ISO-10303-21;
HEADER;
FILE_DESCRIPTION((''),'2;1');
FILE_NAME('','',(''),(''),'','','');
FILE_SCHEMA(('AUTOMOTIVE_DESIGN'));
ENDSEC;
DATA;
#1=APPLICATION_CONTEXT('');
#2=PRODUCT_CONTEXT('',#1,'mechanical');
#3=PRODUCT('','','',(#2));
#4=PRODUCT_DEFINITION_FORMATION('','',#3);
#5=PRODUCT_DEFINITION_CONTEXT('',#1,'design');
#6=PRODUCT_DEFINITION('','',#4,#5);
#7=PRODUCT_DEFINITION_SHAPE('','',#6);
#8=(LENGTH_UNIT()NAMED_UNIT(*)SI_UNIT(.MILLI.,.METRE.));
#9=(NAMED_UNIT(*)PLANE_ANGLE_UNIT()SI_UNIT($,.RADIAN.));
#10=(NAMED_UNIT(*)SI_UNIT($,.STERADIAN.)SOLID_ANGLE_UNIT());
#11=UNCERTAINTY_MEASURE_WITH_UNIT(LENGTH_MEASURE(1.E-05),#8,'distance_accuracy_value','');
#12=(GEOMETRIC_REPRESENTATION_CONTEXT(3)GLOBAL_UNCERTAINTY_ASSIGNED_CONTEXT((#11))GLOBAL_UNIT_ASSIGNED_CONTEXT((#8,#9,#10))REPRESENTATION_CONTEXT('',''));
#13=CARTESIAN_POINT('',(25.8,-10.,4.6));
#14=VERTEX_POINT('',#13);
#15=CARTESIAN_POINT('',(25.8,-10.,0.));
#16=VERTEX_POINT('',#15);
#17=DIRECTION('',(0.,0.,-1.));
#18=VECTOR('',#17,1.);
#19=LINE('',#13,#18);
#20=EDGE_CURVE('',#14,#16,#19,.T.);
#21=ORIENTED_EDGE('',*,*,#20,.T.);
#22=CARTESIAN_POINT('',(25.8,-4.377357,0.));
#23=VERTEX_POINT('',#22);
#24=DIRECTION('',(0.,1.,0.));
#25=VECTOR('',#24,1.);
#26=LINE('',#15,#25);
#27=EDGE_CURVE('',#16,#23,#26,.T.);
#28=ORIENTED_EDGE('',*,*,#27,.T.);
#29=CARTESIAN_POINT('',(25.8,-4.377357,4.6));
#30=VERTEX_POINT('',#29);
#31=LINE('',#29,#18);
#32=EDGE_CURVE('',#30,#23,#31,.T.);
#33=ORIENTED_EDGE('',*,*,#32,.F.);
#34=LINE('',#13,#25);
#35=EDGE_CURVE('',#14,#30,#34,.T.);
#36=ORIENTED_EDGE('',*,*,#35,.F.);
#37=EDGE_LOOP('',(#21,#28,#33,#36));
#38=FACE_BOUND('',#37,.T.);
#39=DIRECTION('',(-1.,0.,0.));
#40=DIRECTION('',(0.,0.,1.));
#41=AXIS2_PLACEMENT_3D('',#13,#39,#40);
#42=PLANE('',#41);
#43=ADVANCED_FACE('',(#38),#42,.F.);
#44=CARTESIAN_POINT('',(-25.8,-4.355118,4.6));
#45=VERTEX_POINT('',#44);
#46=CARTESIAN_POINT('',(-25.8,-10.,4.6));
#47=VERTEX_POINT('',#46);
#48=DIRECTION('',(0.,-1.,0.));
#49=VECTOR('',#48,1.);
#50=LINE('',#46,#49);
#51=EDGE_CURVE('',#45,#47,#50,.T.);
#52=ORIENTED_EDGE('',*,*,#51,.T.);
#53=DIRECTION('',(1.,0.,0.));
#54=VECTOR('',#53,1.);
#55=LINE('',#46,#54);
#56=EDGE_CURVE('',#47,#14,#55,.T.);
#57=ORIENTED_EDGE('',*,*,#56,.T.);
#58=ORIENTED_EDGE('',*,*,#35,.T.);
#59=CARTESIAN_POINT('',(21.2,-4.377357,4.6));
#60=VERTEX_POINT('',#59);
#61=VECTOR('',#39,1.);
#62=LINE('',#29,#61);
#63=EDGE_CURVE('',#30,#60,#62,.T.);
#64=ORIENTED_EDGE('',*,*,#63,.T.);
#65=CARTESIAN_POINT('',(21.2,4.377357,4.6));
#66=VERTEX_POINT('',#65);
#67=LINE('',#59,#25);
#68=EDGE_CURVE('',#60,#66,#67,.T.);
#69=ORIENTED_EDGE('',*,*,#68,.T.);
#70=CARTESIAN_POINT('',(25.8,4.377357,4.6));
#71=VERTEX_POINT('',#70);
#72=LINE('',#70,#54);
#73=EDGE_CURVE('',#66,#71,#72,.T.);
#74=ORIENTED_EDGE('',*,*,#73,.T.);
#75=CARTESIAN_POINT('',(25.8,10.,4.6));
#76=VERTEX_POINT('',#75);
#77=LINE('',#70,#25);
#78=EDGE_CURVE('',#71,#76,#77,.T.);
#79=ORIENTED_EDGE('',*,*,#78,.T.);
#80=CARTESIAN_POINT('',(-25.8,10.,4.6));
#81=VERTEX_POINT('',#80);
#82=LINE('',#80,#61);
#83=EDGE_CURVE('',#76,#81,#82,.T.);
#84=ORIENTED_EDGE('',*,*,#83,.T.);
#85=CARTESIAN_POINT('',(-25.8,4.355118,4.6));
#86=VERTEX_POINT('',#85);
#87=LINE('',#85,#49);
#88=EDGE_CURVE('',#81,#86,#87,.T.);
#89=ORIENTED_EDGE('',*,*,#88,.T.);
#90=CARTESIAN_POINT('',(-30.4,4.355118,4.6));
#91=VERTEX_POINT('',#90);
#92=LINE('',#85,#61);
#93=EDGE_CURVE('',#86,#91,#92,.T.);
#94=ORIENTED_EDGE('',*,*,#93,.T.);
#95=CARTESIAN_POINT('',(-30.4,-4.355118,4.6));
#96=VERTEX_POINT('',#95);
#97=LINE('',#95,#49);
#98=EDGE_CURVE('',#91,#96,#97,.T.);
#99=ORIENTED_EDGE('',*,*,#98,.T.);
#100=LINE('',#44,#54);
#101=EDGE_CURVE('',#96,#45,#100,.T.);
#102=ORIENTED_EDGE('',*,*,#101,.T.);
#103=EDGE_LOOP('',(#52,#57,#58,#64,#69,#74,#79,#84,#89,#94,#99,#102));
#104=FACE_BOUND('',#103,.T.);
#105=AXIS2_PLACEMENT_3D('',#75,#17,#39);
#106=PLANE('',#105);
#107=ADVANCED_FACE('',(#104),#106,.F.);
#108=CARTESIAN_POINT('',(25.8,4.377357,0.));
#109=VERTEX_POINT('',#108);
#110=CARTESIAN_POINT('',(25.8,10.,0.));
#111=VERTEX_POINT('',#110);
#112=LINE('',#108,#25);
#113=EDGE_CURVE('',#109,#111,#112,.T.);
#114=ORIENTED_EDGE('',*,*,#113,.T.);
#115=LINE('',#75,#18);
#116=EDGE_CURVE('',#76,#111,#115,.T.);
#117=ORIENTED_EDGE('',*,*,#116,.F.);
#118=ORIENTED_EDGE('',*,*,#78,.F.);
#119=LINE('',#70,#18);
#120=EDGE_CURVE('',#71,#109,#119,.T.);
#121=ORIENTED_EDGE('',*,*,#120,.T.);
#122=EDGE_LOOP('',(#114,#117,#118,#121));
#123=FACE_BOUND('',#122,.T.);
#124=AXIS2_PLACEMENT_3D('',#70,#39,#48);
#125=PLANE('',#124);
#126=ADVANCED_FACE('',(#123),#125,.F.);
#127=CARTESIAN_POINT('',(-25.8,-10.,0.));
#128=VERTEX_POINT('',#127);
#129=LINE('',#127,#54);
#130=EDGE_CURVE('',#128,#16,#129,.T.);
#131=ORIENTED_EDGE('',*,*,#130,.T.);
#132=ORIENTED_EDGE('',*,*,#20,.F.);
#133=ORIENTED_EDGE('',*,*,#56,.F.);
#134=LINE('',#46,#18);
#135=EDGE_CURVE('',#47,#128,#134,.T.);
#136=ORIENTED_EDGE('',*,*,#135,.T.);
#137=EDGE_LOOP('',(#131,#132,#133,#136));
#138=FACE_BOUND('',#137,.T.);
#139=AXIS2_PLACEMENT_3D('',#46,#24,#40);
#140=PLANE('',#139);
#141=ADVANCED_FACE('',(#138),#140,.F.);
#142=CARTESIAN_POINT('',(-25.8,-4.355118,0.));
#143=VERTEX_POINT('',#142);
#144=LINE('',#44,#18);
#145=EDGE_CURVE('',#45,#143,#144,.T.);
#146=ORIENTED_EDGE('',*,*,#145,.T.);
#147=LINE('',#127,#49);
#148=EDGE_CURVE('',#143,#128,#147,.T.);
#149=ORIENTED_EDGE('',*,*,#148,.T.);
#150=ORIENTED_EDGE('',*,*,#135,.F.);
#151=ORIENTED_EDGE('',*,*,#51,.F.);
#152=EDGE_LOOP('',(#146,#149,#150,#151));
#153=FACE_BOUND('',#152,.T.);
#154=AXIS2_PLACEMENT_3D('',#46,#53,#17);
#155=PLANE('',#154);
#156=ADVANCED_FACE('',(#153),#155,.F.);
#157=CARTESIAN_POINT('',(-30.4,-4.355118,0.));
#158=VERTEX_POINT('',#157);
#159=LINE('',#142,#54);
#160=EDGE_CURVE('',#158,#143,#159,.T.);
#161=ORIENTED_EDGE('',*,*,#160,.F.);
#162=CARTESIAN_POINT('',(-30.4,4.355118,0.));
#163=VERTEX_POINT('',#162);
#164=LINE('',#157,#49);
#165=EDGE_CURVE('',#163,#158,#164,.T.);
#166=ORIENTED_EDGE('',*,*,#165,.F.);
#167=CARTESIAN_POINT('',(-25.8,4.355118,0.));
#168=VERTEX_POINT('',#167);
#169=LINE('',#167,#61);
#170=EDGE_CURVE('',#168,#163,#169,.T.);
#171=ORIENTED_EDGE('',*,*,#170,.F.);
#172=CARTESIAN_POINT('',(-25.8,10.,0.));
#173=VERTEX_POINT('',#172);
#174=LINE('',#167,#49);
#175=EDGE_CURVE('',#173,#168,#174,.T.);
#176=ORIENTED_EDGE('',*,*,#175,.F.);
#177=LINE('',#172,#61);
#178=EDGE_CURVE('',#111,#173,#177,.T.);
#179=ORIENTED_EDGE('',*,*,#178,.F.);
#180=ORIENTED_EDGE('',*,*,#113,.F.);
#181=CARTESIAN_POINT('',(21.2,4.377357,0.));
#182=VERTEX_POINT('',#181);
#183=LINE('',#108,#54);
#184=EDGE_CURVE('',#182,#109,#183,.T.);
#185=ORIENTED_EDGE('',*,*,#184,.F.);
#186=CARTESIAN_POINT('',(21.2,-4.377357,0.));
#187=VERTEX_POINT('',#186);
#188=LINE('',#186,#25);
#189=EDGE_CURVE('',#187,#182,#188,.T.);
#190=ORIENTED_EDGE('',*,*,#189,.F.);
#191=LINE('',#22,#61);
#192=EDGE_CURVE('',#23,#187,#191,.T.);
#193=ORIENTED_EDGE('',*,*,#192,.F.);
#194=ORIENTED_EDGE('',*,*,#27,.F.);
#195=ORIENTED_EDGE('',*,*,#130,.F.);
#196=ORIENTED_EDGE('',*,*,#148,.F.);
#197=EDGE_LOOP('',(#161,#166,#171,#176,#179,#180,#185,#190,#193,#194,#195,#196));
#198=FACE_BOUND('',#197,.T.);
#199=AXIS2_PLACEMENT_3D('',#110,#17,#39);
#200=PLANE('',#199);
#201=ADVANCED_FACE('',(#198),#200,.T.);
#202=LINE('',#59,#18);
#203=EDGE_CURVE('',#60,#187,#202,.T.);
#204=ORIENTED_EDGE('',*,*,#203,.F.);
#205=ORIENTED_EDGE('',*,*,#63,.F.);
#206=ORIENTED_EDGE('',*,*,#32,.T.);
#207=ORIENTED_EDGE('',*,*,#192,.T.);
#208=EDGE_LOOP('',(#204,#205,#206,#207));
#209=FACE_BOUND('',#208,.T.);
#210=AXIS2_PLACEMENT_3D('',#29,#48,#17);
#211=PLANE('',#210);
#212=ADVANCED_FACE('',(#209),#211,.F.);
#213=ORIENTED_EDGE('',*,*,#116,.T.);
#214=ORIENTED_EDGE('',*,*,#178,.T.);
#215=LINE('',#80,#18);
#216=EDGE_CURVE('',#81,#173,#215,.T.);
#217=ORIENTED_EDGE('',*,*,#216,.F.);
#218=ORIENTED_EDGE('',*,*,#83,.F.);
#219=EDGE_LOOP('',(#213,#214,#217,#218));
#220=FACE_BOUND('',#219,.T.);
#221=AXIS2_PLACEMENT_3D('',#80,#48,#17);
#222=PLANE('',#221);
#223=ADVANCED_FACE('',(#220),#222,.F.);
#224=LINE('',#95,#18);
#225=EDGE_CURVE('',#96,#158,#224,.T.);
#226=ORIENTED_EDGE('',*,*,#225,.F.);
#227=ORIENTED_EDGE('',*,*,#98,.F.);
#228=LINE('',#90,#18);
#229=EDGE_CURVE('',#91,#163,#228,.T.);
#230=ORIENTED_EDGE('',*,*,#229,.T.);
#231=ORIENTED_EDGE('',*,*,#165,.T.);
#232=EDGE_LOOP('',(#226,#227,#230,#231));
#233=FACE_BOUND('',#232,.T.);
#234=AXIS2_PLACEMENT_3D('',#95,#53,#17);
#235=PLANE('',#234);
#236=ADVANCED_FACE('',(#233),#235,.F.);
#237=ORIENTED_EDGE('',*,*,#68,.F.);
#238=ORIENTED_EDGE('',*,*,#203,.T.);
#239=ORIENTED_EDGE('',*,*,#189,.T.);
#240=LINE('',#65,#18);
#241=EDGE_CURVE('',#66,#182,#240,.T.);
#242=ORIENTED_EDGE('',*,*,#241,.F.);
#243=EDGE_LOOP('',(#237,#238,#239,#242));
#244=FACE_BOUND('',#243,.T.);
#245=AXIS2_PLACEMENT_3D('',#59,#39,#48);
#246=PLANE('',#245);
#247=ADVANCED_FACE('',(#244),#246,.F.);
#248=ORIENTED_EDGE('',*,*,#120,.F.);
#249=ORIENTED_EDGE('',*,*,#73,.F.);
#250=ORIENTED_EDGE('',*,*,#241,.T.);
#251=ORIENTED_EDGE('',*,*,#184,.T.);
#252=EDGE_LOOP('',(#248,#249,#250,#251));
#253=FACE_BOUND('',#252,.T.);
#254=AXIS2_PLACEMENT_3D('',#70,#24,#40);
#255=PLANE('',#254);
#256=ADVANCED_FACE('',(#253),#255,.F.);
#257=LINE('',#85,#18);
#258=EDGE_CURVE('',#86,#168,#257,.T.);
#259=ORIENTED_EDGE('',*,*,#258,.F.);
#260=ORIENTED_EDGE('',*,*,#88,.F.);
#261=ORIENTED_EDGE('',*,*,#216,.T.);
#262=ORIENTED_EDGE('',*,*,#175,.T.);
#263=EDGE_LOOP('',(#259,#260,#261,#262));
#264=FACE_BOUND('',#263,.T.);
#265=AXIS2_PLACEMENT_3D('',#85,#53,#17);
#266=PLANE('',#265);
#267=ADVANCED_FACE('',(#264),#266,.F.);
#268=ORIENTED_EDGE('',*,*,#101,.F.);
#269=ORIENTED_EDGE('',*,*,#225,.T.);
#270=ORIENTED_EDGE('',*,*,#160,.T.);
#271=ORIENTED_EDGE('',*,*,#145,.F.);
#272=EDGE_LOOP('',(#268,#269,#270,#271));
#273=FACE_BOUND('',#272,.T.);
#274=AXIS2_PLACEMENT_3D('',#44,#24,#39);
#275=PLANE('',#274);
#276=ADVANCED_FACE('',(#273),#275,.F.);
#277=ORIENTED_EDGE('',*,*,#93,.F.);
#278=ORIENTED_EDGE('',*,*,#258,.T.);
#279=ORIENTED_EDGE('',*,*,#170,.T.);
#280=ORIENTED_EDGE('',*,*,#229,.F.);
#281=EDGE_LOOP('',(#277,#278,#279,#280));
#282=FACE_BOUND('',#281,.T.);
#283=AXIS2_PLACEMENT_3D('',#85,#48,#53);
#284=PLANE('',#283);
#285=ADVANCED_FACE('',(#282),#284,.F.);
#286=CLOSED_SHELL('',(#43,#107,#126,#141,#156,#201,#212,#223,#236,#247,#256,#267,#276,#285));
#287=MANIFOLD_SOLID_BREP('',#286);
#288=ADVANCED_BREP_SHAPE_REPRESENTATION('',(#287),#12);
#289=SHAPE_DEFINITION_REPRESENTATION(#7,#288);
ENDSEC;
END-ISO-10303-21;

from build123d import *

# Parameters (mm, degrees)
BOSS_EXTRUDE1_DEPTH = 4.6


with BuildPart() as part:
    # Sketch1 → Boss-Extrude1 (new body)
    with BuildSketch(Plane.XY):
        Polygon((-25.8, -10), (25.8, -10), (25.8, -4.377357027), (21.2, -4.377357027), (21.2, 4.377357027), (25.8, 4.377357027), (25.8, 10), (-25.8, 10), (-25.8, 4.355117679), (-30.4, 4.355117679), (-30.4, -4.355117679), (-25.8, -4.355117679), align=None)
    extrude(amount=BOSS_EXTRUDE1_DEPTH)


solid = part.part
